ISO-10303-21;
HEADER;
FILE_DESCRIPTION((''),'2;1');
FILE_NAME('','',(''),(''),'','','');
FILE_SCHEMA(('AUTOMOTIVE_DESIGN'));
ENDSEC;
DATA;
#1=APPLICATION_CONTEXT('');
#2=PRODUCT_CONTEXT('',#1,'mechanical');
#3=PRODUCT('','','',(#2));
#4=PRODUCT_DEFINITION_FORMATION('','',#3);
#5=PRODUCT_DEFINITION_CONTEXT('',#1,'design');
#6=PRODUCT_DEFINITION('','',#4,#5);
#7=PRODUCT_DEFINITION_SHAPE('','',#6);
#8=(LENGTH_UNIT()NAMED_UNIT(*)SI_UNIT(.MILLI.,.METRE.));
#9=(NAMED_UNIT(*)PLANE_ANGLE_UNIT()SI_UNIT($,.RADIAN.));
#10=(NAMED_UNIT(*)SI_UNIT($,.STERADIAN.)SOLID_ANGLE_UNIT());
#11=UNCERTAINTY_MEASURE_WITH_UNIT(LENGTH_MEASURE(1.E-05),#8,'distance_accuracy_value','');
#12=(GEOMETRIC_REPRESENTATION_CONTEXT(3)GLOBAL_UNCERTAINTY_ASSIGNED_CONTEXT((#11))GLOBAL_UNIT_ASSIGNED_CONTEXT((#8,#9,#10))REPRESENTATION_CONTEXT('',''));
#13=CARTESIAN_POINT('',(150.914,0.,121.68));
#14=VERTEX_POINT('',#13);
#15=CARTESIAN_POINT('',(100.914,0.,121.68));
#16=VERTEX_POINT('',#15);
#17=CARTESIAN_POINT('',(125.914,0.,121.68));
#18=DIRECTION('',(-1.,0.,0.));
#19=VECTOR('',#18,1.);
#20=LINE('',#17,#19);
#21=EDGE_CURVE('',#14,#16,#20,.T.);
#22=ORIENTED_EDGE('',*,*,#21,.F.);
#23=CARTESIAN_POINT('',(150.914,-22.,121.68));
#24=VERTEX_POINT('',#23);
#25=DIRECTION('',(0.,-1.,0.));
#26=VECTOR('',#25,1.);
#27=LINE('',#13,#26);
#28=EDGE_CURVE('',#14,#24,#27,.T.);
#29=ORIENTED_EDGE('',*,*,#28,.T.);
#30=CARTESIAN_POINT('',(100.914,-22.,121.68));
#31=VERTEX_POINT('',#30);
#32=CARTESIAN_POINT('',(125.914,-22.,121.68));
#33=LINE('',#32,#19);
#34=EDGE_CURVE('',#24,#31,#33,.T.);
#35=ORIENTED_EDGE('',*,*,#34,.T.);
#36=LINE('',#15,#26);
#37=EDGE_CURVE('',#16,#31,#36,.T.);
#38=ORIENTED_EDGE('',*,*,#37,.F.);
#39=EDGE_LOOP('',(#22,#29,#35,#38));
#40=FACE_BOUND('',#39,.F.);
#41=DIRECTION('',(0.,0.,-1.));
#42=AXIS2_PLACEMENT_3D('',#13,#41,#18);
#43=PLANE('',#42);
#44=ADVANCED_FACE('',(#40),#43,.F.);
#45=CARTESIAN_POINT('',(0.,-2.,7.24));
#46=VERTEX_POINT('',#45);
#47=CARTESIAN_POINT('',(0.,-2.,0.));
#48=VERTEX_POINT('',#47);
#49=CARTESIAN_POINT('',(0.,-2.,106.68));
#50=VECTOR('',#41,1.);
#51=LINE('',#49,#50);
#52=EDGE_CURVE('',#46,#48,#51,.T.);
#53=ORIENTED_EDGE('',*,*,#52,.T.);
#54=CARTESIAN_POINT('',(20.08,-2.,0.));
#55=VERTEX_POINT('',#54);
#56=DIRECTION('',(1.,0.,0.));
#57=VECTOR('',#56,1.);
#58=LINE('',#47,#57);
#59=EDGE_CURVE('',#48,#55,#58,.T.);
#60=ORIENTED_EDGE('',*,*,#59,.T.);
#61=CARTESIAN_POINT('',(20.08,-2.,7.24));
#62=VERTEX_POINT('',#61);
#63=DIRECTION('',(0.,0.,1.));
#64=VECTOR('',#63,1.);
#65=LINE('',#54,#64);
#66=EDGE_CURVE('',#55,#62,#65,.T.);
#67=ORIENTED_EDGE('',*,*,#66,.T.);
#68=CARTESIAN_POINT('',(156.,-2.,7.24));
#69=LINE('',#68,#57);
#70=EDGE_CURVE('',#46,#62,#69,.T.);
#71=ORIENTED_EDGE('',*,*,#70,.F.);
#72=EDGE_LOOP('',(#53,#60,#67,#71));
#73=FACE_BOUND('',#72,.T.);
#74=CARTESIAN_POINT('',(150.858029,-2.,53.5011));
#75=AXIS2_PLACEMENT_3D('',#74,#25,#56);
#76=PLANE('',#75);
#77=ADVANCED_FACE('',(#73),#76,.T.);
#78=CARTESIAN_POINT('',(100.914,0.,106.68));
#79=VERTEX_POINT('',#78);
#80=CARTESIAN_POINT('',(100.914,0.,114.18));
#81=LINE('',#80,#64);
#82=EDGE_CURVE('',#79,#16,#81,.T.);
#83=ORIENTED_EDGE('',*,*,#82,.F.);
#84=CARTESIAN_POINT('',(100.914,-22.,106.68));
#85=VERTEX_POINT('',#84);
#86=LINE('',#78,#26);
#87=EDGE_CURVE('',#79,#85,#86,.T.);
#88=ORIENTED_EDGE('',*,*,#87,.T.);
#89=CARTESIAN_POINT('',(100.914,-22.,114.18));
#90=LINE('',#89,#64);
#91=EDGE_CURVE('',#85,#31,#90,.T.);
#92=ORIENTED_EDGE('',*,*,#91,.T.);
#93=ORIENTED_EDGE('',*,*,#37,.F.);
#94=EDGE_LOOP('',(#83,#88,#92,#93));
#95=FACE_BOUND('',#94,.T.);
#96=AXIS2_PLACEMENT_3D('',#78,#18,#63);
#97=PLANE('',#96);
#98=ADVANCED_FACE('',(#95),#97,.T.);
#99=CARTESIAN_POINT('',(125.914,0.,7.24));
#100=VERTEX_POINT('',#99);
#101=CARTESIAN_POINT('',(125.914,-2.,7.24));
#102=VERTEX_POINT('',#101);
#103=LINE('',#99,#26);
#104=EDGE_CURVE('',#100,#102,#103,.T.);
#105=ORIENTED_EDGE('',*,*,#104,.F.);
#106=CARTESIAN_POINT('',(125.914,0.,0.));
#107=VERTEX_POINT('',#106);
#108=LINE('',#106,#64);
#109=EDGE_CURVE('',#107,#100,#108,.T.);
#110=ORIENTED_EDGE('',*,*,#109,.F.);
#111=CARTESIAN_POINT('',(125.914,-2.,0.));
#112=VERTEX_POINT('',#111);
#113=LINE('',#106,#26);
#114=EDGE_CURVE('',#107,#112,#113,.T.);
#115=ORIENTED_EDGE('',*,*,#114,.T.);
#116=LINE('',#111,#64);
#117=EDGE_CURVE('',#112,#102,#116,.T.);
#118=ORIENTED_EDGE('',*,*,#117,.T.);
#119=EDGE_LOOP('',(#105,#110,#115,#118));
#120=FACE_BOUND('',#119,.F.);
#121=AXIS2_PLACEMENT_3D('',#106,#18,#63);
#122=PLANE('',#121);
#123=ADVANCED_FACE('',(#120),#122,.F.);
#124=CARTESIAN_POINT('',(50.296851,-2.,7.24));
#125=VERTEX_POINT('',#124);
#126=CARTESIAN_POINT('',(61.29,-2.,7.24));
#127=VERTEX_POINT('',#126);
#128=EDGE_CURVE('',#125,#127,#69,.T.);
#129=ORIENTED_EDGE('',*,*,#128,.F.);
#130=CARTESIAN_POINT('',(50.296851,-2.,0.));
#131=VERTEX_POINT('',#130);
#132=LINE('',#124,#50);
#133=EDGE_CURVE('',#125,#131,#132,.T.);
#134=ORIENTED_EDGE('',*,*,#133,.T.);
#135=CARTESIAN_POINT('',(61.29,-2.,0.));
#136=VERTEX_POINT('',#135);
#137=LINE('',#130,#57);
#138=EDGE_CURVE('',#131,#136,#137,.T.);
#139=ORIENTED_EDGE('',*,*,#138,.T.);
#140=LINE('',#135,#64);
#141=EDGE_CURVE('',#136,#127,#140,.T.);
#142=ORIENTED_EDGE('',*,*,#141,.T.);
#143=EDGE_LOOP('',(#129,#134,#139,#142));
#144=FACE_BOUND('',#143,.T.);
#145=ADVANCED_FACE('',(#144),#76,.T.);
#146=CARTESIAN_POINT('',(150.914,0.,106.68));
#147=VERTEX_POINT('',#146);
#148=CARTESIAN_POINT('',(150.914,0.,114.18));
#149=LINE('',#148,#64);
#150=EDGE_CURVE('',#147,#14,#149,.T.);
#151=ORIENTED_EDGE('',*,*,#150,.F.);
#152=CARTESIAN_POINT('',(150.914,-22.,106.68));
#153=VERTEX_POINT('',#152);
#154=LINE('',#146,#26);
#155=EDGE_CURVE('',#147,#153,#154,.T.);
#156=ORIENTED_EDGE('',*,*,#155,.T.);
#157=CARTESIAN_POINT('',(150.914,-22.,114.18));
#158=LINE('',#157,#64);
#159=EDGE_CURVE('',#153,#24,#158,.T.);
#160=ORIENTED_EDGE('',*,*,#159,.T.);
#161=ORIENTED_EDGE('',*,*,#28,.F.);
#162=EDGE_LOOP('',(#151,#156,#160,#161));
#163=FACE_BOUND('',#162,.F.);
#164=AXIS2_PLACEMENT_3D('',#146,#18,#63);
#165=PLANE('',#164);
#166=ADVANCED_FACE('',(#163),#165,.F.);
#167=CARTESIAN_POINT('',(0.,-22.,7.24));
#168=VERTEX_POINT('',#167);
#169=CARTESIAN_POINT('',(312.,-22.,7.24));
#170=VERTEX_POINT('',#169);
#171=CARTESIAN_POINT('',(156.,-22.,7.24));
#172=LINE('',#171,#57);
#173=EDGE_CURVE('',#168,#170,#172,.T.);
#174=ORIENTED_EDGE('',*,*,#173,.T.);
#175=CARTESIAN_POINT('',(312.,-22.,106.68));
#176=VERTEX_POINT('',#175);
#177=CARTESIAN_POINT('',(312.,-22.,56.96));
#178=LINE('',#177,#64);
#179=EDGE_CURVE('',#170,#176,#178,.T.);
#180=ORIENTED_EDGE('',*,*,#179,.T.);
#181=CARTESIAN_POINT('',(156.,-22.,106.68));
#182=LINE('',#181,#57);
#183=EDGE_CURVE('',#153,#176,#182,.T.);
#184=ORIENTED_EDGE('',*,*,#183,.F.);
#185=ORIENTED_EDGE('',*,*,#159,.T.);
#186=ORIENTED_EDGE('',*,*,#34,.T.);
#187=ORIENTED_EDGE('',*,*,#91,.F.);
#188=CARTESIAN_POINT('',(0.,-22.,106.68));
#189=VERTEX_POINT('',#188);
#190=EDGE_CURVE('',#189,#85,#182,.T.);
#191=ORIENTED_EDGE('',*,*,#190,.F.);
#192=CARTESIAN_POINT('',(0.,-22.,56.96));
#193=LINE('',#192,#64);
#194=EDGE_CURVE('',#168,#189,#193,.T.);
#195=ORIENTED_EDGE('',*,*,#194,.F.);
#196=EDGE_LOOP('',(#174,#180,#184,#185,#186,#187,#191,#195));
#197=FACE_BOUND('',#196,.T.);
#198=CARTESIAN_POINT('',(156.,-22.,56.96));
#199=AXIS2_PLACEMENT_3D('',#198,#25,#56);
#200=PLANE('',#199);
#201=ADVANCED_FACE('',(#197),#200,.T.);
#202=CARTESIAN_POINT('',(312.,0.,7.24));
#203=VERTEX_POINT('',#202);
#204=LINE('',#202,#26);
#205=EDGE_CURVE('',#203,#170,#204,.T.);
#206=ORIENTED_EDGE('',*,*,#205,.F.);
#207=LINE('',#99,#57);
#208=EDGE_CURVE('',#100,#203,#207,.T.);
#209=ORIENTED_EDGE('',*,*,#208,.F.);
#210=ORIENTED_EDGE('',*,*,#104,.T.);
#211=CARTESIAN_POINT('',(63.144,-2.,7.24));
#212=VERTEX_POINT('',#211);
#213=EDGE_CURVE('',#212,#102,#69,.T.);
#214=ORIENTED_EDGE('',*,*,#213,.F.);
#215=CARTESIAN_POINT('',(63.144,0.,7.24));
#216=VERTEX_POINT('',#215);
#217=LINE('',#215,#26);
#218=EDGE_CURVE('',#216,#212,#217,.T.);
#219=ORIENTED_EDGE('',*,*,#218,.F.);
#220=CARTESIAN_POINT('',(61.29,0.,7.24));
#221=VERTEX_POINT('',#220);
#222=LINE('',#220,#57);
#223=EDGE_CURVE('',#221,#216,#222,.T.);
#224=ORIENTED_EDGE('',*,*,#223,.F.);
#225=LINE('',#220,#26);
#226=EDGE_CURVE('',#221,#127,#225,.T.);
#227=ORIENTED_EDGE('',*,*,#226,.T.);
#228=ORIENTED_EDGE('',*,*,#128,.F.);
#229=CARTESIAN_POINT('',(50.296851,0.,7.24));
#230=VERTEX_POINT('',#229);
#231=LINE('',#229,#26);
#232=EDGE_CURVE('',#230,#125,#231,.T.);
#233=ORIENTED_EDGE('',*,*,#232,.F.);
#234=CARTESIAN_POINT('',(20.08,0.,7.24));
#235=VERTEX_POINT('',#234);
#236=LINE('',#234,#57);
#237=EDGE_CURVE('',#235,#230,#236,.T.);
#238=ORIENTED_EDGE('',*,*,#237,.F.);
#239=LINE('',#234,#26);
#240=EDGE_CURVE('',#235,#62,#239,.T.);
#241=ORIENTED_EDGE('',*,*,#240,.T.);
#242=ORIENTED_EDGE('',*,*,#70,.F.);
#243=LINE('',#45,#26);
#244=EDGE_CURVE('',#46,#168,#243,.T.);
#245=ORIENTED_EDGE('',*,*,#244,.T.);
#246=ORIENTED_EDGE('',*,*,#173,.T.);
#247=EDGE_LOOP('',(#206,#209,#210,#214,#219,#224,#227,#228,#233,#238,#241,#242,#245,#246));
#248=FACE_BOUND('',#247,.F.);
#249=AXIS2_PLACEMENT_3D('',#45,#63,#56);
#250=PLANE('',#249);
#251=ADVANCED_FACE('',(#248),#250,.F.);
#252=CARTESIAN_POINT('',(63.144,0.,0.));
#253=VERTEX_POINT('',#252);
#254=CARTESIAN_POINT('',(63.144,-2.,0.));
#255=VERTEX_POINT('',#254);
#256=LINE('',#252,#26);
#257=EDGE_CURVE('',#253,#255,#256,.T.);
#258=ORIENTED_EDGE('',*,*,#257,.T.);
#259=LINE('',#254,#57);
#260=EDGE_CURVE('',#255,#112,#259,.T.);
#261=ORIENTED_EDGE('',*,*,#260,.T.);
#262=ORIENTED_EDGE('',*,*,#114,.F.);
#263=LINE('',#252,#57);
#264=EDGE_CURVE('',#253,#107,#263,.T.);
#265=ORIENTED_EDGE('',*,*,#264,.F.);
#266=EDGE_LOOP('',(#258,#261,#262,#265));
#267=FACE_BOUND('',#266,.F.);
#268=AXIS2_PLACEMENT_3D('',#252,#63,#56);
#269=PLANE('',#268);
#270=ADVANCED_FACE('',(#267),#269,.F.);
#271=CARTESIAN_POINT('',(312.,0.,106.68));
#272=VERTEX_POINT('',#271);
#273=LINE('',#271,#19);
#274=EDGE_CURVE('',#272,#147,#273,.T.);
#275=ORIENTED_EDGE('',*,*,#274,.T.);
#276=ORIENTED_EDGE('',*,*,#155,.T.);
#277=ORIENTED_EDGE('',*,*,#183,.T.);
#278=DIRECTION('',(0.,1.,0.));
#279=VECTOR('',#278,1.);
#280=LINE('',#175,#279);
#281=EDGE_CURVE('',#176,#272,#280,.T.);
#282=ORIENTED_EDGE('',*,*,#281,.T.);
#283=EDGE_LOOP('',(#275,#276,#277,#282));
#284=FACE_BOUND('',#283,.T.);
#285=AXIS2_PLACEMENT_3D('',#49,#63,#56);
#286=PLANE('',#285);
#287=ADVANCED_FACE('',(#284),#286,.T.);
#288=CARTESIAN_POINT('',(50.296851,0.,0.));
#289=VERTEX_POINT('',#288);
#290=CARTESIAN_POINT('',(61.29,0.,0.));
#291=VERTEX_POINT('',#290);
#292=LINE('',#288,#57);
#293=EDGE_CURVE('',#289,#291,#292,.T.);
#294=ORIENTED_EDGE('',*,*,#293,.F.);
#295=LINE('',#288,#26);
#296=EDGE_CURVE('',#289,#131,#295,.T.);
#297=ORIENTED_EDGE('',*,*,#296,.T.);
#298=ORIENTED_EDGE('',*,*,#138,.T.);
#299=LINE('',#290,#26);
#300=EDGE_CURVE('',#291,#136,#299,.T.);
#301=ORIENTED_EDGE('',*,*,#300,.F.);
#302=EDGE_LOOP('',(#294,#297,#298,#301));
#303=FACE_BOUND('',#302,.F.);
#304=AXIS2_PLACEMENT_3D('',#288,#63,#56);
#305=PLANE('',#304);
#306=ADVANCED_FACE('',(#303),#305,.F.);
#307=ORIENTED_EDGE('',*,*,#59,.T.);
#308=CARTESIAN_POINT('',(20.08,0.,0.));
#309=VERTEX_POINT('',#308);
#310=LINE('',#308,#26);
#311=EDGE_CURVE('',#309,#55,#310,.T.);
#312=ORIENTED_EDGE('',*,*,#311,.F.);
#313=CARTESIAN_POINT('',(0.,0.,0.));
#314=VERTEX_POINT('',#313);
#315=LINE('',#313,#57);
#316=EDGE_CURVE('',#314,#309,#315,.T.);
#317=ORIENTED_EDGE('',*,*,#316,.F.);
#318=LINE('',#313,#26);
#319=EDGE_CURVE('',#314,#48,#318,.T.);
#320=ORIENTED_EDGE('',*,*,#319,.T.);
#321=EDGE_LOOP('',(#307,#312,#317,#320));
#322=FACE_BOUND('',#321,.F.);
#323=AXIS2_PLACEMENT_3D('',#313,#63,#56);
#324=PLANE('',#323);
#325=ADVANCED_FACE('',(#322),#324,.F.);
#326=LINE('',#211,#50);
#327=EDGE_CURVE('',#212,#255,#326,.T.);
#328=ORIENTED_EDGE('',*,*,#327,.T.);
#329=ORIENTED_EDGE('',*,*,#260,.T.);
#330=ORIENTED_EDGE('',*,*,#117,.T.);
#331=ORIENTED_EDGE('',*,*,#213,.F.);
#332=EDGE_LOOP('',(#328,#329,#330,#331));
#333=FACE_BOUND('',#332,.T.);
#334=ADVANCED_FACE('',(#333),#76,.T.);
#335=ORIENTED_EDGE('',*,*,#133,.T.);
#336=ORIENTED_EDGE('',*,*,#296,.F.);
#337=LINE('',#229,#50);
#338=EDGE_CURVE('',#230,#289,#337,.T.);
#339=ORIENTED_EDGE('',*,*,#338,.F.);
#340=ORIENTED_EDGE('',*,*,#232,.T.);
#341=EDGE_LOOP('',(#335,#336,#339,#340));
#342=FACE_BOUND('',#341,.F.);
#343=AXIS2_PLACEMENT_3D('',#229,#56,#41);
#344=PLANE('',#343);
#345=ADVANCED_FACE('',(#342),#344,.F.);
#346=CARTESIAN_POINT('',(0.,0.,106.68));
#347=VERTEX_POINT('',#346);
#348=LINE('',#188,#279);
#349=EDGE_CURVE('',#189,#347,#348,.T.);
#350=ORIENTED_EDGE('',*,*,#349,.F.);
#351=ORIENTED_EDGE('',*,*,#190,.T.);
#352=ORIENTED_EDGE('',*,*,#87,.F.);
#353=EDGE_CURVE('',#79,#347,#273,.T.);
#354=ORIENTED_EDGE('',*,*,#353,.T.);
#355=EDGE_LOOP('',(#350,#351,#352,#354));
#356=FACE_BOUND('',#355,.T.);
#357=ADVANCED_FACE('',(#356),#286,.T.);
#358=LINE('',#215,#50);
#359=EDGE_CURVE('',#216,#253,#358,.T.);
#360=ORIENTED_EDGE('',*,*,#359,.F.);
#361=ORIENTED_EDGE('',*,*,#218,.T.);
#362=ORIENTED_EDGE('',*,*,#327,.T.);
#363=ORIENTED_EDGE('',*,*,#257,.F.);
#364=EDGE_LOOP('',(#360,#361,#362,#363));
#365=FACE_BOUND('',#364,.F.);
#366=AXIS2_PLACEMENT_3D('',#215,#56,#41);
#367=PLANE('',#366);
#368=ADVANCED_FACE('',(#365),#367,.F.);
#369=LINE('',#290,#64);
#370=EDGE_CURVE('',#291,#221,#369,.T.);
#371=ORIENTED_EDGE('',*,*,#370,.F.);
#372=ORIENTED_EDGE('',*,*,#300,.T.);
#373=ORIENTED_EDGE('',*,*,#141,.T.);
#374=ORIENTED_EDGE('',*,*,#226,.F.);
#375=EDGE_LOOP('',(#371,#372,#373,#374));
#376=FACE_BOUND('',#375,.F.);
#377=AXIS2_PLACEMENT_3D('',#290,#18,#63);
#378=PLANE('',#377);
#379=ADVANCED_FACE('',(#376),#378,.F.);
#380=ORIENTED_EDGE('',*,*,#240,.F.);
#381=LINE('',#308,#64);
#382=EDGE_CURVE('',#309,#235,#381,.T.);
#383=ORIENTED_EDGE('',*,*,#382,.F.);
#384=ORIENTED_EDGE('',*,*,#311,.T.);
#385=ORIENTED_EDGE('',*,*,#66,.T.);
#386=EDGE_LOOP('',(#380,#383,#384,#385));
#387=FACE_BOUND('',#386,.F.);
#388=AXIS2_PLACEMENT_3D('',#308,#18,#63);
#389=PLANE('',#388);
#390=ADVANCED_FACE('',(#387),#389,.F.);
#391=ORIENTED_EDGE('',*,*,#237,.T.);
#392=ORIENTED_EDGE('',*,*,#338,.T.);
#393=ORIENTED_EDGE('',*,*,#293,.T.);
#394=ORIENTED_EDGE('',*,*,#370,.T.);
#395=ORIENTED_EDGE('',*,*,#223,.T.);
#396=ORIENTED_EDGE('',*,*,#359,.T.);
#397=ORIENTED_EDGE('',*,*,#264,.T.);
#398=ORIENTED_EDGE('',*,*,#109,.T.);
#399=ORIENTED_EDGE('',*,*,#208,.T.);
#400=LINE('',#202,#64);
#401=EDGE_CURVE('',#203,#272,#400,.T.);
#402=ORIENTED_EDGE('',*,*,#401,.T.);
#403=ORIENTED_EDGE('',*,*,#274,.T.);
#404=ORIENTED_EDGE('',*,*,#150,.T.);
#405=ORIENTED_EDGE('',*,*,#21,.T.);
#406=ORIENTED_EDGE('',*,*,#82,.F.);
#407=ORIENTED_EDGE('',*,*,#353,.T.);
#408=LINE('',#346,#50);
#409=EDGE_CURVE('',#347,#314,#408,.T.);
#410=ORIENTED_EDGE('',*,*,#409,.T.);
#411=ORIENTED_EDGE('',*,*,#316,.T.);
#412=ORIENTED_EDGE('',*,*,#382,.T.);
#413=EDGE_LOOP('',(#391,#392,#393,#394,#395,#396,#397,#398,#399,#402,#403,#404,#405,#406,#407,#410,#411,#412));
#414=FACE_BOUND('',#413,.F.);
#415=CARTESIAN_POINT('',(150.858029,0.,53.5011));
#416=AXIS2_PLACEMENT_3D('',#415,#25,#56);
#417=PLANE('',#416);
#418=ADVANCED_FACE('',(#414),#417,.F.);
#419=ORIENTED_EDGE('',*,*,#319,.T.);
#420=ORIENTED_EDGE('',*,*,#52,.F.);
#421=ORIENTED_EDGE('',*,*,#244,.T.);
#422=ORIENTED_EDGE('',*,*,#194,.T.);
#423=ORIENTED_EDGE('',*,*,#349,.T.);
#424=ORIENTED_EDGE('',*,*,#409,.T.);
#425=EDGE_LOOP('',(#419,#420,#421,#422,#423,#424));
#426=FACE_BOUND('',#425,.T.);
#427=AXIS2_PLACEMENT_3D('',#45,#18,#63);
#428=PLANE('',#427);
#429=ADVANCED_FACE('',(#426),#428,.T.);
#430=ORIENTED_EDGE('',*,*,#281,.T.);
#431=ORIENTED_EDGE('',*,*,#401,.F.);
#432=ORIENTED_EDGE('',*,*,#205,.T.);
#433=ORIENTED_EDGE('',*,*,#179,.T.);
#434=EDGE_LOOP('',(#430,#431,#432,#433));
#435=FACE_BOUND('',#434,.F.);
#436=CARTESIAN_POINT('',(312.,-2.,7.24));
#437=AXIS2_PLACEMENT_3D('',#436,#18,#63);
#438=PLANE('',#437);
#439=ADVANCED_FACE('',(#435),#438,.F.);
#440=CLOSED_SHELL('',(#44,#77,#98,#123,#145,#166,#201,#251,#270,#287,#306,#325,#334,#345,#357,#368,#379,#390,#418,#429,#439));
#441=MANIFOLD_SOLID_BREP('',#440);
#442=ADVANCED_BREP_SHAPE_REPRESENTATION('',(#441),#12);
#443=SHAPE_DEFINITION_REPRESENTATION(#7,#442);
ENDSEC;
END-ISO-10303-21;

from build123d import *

# Parameters (mm, degrees)
F1_DEPTH = 2
F2_W     = 312
F2_H     = 99.44
F3_DEPTH = 20
F4_W     = 50
F4_H     = 15
F5_DEPTH = 22


with BuildPart() as f1:
    # F0 (on Front) → F1 (new body)
    with BuildSketch(Plane.XZ):
        Polygon((0, 106.68), (0, 0), (20.08, 0), (20.08, 7.24), (50.296851, 7.24), (50.296851, 0), (61.29, 0), (61.29, 7.24), (63.144, 7.24), (63.144, 0), (125.914, 0), (125.914, 7.24), (312, 7.24), (312, 106.68), align=None)
    extrude(amount=F1_DEPTH)

    # F2 (on face) → F3 (join)
    with BuildSketch(Plane.XZ.offset(2)):
        with Locations((156, 56.96)):
            Rectangle(F2_W, F2_H)
    extrude(amount=F3_DEPTH)

    # F4 (on face) → F5 (join)
    with BuildSketch(Plane(origin=(0, 0, 0), x_dir=(-1, 0, 0), z_dir=(0, 1, 0))):
        with Locations((-125.914, 114.18)):
            Rectangle(F4_W, F4_H)
    extrude(amount=-F5_DEPTH)


solid = f1.part
